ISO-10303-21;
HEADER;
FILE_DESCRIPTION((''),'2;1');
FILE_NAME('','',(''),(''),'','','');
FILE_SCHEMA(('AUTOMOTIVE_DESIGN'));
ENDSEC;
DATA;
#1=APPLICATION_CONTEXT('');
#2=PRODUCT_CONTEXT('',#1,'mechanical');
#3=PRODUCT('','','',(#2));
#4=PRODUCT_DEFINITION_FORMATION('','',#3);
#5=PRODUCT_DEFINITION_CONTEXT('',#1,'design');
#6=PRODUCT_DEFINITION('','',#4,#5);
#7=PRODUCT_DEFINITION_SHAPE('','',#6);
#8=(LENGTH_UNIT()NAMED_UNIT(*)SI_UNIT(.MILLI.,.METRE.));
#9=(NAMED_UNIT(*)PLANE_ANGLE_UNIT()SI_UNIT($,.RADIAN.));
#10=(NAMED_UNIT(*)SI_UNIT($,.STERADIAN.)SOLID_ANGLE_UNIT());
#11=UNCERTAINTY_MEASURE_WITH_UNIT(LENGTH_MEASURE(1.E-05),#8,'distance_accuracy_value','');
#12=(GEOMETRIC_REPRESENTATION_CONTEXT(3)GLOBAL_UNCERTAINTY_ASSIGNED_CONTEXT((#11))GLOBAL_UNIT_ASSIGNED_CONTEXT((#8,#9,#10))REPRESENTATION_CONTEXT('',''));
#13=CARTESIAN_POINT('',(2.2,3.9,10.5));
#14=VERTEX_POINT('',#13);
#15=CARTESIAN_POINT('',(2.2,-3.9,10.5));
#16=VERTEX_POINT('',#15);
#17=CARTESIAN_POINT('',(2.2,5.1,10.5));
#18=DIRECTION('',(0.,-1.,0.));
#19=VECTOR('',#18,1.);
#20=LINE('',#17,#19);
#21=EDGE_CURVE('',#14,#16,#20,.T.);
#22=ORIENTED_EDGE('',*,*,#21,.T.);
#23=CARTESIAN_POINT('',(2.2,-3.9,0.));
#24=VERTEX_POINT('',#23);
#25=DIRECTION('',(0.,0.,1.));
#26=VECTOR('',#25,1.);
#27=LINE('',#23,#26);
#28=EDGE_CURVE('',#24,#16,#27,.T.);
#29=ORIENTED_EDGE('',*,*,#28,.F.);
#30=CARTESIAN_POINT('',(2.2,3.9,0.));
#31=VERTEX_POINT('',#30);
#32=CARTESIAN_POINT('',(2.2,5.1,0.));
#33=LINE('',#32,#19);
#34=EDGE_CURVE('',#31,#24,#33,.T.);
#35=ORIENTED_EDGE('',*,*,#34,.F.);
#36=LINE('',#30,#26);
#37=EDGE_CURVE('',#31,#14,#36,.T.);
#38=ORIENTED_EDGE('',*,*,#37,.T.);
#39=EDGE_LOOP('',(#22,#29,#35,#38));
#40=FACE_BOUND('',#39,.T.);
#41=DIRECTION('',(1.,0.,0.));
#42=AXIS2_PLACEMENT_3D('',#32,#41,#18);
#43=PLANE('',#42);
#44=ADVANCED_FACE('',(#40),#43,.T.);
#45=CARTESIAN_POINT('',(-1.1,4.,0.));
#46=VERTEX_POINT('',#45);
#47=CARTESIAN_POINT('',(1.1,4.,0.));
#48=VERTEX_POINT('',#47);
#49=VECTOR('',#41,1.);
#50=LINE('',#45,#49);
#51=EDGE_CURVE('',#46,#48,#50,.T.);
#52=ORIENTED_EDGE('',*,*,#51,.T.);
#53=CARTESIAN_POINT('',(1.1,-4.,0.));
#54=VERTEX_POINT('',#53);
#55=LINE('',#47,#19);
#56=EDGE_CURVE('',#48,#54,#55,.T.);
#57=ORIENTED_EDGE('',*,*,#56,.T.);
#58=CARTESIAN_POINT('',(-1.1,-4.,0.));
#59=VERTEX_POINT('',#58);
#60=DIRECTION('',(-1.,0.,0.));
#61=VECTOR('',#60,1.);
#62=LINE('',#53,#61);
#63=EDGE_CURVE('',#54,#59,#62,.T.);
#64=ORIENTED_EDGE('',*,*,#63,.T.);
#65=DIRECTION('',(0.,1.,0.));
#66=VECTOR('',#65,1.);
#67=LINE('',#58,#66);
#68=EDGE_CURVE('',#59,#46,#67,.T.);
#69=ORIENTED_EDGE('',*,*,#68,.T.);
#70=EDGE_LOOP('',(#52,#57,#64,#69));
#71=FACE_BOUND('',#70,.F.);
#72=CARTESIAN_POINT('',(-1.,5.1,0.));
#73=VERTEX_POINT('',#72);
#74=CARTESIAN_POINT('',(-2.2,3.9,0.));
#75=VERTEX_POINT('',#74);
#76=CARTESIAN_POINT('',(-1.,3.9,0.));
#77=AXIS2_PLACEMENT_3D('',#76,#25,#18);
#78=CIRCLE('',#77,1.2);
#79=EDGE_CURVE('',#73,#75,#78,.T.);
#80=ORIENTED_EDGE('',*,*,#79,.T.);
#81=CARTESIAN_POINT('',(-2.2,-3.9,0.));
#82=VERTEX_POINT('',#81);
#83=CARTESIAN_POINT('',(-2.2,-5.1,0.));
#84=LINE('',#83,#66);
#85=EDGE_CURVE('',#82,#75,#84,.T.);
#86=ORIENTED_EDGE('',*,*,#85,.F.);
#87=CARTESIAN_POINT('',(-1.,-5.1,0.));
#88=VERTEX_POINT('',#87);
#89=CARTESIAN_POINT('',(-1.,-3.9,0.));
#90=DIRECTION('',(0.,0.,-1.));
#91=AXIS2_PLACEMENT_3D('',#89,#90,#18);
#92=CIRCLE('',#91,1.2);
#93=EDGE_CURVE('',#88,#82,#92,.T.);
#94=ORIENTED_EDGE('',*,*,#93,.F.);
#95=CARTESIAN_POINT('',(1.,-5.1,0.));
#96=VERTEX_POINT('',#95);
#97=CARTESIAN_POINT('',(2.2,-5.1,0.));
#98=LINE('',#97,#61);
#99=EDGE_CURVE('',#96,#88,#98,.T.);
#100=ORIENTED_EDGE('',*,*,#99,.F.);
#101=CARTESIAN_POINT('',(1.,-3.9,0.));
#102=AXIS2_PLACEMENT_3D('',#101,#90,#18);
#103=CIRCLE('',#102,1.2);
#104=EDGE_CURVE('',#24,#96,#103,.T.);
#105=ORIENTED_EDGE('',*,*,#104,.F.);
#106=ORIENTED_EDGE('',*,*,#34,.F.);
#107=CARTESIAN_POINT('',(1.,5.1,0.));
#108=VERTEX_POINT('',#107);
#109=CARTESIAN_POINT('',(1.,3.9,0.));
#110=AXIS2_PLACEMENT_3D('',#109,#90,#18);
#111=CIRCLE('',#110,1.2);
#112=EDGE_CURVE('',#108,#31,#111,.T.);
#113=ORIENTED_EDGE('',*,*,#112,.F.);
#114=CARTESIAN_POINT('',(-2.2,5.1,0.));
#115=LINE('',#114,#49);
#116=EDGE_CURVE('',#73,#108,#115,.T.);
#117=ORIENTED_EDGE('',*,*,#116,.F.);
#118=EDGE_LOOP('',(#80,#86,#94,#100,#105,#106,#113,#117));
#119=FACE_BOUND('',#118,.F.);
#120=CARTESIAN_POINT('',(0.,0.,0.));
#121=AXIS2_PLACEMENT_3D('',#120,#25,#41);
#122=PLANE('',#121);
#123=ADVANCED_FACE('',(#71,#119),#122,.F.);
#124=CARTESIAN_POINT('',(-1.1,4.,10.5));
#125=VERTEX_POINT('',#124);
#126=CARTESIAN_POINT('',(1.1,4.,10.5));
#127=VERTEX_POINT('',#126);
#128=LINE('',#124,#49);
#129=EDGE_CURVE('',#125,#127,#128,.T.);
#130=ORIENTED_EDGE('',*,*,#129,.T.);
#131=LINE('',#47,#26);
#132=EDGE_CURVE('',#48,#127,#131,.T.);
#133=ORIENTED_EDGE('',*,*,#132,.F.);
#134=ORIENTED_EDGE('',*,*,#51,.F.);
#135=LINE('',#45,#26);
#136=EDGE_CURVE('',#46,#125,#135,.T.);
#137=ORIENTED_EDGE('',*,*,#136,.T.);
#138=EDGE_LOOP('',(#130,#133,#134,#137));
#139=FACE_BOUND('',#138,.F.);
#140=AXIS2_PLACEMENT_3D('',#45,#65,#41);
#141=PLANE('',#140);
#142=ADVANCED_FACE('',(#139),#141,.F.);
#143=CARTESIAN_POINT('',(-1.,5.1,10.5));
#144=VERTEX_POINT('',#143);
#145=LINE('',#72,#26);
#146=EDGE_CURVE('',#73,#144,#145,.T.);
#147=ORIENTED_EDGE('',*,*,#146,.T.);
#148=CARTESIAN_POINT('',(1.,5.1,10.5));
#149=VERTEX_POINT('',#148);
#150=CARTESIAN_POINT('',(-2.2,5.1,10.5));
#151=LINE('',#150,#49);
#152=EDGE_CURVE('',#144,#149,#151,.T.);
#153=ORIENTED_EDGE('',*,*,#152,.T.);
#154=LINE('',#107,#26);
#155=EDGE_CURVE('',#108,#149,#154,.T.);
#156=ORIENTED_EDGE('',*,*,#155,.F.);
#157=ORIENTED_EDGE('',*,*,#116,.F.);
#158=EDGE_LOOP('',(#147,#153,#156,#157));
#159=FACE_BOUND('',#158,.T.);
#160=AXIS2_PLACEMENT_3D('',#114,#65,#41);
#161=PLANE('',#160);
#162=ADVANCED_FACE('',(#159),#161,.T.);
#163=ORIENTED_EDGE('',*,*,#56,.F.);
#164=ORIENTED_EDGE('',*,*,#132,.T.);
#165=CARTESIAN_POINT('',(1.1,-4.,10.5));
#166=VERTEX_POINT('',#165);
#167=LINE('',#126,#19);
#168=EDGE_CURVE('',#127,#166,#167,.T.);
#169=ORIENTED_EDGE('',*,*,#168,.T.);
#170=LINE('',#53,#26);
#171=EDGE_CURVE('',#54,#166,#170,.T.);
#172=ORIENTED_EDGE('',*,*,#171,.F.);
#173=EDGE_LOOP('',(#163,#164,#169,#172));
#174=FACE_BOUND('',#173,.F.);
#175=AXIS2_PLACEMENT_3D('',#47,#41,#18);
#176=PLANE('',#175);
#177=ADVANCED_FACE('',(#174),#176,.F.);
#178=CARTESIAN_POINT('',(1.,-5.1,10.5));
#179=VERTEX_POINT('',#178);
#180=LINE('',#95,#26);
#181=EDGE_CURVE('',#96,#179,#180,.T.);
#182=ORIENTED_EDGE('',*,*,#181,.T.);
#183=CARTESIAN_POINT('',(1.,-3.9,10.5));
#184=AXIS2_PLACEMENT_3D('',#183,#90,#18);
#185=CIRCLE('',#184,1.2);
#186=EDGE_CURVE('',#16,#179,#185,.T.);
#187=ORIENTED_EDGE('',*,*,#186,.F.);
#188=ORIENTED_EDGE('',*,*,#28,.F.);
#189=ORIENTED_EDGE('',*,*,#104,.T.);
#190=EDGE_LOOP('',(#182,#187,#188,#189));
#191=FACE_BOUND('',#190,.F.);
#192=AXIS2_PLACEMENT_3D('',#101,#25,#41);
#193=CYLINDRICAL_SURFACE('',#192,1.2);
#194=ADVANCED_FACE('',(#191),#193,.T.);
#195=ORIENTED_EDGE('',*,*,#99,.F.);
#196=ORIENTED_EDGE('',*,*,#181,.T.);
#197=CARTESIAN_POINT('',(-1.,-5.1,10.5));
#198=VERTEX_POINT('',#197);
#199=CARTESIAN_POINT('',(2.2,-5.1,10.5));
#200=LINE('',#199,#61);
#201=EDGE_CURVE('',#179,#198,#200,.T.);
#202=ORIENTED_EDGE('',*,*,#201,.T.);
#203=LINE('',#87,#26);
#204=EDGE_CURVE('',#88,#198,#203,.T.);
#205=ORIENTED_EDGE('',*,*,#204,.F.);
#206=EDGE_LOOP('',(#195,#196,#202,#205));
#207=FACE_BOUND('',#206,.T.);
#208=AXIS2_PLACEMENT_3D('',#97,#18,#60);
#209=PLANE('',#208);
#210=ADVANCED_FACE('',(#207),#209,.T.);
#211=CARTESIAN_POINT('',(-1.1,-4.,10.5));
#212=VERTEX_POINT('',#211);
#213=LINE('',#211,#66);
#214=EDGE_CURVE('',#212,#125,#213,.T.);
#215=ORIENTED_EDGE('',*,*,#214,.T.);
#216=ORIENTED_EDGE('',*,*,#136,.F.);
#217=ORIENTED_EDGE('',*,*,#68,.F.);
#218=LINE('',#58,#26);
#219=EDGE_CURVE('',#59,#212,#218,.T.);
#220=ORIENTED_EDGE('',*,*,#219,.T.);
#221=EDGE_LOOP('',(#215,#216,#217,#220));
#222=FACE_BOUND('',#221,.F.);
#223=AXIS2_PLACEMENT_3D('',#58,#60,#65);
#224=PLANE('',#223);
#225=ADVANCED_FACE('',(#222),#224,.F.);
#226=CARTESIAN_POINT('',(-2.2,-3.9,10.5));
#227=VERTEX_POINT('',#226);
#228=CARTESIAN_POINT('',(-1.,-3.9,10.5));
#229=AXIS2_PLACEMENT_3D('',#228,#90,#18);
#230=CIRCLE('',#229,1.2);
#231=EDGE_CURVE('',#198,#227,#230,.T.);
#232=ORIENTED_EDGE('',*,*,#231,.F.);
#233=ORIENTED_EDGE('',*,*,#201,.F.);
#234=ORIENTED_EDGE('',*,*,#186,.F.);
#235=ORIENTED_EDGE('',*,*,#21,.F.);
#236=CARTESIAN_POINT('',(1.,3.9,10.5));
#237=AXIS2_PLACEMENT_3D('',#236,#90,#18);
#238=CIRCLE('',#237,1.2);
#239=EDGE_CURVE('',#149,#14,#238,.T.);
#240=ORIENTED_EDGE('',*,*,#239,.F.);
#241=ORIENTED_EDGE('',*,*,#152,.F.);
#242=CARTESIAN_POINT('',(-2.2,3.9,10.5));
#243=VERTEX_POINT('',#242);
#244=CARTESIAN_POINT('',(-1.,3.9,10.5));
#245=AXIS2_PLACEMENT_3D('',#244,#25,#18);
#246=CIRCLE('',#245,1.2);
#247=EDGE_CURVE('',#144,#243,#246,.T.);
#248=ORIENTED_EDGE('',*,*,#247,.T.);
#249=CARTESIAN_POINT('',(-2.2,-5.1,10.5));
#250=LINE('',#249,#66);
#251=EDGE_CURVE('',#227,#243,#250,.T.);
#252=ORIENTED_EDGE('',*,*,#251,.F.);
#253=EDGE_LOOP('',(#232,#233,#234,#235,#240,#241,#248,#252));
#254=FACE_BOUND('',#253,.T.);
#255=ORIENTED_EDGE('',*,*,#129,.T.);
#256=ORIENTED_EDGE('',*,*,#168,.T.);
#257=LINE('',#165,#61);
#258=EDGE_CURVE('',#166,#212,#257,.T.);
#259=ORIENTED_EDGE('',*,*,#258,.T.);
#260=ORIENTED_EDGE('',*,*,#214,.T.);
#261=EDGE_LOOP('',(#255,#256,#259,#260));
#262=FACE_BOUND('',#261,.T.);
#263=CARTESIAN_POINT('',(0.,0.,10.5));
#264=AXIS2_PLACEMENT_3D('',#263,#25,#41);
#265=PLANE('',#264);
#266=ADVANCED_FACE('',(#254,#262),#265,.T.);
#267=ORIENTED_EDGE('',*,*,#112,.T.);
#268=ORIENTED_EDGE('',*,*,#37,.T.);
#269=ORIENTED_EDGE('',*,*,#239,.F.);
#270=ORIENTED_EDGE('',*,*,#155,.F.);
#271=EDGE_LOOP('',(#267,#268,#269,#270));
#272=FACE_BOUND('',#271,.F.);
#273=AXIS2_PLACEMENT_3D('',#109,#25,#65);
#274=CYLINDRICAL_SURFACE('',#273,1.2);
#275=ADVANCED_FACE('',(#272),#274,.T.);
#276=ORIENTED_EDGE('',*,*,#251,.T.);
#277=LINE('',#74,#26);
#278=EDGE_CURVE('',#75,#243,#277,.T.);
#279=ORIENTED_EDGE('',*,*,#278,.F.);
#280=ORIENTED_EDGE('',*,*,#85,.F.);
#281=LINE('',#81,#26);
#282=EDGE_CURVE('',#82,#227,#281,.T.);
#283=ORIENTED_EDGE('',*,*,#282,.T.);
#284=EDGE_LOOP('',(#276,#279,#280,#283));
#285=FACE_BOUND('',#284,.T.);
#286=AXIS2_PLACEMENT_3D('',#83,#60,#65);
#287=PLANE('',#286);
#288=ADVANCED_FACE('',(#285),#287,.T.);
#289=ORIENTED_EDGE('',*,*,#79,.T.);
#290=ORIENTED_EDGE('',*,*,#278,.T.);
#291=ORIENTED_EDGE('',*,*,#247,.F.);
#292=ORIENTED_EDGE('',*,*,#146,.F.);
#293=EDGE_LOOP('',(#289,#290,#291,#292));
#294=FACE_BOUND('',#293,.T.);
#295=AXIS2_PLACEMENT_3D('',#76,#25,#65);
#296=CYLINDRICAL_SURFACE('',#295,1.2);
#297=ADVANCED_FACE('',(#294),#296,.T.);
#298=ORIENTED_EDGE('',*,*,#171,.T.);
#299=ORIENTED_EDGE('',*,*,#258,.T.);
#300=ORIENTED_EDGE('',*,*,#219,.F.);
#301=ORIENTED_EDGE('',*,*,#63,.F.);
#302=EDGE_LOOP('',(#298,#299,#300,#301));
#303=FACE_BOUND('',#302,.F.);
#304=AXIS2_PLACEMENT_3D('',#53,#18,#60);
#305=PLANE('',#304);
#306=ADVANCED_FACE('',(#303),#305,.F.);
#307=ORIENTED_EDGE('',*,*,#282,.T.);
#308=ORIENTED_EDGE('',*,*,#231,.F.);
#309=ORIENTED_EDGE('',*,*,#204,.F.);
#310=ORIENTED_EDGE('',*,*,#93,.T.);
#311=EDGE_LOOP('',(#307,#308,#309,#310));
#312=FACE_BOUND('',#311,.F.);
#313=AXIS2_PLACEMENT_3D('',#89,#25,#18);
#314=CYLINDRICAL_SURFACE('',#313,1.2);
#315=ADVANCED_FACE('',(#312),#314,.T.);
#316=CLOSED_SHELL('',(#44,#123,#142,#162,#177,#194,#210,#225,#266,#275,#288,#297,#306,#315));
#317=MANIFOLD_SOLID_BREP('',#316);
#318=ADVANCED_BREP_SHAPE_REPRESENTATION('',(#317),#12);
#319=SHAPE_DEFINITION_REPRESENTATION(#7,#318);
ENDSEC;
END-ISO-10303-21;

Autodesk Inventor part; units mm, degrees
ref_plane "YZ Plane" through (0, 0, 0) normal (1, 0, 0) x (0, 1, 0)
ref_plane "XZ Plane" through (0, 0, 0) normal (0, 1, 0) x (-1, 0, 0)
ref_plane "XY Plane" through (0, 0, 0) normal (0, 0, 1) x (1, 0, 0)
sketch "Sketch1" plane through (0, 0, 0) normal (0, 0, 1) x (1, 0, 0)
  line L0 (-1.1, 4) -> (1.1, 4)
  line L1 (1.1, 4) -> (1.1, -4)
  line L2 (1.1, -4) -> (-1.1, -4)
  line L3 (-1.1, -4) -> (-1.1, 4)
  line L4 (-2.2, 5.1) -> (2.2, 5.1)
  line L5 (2.2, 5.1) -> (2.2, -5.1)
  line L6 (2.2, -5.1) -> (-2.2, -5.1)
  line L7 (-2.2, -5.1) -> (-2.2, 5.1)
  point P0 (0, 0)
  dimension "d0" = 2.2
  dimension "d1" = 8
  dimension "d2" = 1.1
  dimension "d3" = 4
  dimension "d4" = 2.2
  dimension "d5" = 2.2
  dimension "d6" = 1.1
  dimension "d7" = 1.1
  dimension "d8" = 1.1
extrude "Extrusion1" add sketch "Sketch1" along normal blind 10.5
fillet "Fillet1" radius 1.2 4 edges at (2.2, 5.1, 5.25) (-2.2, 5.1, 5.25) (-2.2, -5.1, 5.25) (2.2, -5.1, 5.25)
equation "\"d2\" = 0.5 * d0"
equation "\"d3\" = 0.5 * d1"
equation "\"d5\" = d4"
equation "\"d7\" = d6"
equation "\"d8\" = d6"
properties part number "coil"
